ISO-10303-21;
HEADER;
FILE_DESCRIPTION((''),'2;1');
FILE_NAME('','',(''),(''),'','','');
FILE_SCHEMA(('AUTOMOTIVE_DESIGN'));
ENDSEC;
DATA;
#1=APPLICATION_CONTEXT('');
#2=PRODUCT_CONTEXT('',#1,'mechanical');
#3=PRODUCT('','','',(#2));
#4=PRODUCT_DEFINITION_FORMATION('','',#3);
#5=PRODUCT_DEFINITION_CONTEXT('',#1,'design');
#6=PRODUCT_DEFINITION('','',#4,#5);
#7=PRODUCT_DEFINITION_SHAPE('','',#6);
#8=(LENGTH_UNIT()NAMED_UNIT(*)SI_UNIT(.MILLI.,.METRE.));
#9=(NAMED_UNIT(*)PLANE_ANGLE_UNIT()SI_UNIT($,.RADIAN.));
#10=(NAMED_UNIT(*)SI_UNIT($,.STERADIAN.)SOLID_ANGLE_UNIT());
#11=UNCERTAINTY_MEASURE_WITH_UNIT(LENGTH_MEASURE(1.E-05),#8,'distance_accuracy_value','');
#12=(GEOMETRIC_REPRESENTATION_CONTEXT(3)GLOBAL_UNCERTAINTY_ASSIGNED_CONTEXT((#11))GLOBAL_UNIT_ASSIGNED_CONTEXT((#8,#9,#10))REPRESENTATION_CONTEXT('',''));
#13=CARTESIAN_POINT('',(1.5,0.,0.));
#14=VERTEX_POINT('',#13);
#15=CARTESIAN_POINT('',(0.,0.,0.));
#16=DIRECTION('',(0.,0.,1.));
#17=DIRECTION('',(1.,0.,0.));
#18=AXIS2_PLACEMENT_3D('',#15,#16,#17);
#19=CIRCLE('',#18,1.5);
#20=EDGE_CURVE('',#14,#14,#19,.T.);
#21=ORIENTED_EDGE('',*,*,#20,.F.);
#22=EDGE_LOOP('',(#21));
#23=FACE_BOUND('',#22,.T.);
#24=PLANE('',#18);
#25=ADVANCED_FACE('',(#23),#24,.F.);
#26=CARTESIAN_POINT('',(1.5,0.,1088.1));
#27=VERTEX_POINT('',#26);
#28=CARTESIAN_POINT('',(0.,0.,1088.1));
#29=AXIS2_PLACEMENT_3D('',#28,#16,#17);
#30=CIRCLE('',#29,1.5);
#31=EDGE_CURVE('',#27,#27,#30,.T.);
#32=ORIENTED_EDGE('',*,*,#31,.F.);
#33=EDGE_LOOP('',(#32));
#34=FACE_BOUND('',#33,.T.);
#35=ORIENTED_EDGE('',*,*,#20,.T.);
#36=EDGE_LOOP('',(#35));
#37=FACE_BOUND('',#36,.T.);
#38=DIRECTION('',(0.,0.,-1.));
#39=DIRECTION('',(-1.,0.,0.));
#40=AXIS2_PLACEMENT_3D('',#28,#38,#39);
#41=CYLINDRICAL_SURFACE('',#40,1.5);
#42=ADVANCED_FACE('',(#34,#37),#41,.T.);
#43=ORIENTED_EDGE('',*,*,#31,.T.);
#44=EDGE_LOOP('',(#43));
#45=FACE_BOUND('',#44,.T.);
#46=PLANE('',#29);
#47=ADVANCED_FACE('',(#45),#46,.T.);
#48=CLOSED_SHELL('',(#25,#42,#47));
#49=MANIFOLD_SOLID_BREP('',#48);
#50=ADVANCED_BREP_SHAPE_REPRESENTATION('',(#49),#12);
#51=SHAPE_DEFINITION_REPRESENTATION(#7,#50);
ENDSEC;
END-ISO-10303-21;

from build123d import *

# Parameters (mm, degrees)
ESQUISSE1_R        = 1.5
BOSS_EXTRU_1_DEPTH = 1088.1


with BuildPart() as part:
    # Esquisse1 → Boss.-Extru.1 (new body)
    with BuildSketch(Plane.XY):
        Circle(ESQUISSE1_R)
    extrude(amount=BOSS_EXTRU_1_DEPTH)


solid = part.part
